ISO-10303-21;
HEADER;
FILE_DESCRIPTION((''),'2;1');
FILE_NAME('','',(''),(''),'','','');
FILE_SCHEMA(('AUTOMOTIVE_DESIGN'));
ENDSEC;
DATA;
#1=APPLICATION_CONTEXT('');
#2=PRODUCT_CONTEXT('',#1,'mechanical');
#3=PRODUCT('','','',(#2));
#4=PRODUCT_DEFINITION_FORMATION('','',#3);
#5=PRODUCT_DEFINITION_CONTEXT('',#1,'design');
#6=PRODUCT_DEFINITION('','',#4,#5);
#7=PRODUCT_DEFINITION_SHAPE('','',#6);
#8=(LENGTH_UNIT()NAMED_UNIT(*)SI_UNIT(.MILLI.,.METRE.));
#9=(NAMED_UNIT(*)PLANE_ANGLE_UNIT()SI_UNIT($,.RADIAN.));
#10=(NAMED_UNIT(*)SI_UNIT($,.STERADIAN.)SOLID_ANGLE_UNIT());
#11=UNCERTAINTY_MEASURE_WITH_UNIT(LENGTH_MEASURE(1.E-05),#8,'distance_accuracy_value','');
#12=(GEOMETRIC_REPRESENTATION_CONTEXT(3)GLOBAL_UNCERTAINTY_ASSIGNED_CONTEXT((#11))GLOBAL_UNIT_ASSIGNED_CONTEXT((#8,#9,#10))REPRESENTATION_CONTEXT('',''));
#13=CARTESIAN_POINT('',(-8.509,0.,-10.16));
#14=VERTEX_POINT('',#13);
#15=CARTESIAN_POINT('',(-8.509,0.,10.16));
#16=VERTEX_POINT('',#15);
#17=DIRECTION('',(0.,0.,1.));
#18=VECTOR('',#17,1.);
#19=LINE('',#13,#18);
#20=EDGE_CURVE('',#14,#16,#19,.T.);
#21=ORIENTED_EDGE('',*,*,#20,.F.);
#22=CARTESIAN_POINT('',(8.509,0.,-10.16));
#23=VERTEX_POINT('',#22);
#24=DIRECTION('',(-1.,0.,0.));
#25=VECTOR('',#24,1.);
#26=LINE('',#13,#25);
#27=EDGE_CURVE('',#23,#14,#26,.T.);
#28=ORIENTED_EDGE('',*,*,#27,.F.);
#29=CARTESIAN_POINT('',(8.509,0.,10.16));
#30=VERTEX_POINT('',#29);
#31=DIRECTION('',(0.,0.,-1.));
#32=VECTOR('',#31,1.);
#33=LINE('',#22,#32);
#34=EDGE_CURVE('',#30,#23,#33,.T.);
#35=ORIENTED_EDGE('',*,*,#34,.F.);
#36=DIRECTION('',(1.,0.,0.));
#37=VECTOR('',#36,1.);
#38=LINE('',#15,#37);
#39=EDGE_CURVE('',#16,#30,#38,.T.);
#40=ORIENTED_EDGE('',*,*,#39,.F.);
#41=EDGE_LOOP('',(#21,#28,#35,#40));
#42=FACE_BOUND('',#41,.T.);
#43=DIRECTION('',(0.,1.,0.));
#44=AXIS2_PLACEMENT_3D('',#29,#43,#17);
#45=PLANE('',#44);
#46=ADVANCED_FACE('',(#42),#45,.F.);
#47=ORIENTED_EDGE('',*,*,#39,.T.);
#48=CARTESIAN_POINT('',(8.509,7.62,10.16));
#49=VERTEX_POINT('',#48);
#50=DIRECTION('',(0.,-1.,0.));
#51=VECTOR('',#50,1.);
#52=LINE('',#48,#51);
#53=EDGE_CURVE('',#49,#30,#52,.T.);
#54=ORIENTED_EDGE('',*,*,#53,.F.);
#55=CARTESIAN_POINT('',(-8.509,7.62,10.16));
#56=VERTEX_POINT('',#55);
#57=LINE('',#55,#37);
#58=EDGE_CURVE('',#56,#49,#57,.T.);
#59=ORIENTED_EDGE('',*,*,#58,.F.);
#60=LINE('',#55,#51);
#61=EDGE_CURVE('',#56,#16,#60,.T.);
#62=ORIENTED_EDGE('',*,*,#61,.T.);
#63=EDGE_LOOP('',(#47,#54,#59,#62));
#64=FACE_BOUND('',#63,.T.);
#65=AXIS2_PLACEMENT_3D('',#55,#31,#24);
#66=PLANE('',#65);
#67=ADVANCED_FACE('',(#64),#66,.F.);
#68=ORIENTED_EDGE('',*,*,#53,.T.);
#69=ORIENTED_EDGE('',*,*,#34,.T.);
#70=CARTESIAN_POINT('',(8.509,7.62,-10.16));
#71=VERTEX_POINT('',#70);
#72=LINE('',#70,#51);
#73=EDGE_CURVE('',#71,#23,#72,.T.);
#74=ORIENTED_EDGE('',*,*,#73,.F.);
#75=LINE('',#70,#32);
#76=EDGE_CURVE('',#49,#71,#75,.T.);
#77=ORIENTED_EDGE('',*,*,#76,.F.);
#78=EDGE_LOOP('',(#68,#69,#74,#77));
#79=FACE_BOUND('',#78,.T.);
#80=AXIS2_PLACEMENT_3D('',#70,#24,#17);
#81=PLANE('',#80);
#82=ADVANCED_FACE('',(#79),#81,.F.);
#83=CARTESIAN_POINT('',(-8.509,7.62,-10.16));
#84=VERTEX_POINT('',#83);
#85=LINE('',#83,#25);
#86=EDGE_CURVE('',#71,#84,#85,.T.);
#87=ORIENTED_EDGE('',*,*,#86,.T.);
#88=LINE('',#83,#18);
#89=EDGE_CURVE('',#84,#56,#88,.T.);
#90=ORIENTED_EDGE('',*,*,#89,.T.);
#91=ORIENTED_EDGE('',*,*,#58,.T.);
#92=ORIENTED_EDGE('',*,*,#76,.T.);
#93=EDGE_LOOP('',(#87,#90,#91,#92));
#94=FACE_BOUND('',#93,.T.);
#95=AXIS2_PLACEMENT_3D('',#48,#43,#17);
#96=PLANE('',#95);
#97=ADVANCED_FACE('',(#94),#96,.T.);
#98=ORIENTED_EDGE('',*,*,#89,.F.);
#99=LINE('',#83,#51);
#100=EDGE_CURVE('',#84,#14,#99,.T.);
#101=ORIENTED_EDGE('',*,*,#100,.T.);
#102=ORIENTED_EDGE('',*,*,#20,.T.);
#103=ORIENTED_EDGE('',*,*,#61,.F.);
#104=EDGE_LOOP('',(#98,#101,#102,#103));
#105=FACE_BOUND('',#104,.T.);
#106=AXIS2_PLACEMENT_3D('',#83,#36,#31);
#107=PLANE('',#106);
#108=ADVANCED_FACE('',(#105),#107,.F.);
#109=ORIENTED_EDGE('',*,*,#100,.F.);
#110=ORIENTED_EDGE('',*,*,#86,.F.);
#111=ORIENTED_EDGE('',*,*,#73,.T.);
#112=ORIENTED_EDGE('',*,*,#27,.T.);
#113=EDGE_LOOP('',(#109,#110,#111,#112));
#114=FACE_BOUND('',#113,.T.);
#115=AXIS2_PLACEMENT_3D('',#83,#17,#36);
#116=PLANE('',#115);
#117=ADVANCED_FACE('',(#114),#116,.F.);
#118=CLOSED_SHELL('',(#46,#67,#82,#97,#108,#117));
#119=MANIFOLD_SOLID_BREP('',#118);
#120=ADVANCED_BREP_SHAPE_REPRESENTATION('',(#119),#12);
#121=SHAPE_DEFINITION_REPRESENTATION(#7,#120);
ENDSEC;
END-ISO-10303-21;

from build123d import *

# Parameters (mm, degrees)
SKETCH1_W      = 17.018
SKETCH1_H      = 20.32
EXTRUDE1_DEPTH = 7.62


with BuildPart() as part:
    # Sketch1 → Extrude1 (new body)
    with BuildSketch(Plane(origin=(0, 0, 0), x_dir=(1, 0, 0), z_dir=(0, 1, 0))):
        Rectangle(SKETCH1_W, SKETCH1_H)
    extrude(amount=EXTRUDE1_DEPTH)


solid = part.part
